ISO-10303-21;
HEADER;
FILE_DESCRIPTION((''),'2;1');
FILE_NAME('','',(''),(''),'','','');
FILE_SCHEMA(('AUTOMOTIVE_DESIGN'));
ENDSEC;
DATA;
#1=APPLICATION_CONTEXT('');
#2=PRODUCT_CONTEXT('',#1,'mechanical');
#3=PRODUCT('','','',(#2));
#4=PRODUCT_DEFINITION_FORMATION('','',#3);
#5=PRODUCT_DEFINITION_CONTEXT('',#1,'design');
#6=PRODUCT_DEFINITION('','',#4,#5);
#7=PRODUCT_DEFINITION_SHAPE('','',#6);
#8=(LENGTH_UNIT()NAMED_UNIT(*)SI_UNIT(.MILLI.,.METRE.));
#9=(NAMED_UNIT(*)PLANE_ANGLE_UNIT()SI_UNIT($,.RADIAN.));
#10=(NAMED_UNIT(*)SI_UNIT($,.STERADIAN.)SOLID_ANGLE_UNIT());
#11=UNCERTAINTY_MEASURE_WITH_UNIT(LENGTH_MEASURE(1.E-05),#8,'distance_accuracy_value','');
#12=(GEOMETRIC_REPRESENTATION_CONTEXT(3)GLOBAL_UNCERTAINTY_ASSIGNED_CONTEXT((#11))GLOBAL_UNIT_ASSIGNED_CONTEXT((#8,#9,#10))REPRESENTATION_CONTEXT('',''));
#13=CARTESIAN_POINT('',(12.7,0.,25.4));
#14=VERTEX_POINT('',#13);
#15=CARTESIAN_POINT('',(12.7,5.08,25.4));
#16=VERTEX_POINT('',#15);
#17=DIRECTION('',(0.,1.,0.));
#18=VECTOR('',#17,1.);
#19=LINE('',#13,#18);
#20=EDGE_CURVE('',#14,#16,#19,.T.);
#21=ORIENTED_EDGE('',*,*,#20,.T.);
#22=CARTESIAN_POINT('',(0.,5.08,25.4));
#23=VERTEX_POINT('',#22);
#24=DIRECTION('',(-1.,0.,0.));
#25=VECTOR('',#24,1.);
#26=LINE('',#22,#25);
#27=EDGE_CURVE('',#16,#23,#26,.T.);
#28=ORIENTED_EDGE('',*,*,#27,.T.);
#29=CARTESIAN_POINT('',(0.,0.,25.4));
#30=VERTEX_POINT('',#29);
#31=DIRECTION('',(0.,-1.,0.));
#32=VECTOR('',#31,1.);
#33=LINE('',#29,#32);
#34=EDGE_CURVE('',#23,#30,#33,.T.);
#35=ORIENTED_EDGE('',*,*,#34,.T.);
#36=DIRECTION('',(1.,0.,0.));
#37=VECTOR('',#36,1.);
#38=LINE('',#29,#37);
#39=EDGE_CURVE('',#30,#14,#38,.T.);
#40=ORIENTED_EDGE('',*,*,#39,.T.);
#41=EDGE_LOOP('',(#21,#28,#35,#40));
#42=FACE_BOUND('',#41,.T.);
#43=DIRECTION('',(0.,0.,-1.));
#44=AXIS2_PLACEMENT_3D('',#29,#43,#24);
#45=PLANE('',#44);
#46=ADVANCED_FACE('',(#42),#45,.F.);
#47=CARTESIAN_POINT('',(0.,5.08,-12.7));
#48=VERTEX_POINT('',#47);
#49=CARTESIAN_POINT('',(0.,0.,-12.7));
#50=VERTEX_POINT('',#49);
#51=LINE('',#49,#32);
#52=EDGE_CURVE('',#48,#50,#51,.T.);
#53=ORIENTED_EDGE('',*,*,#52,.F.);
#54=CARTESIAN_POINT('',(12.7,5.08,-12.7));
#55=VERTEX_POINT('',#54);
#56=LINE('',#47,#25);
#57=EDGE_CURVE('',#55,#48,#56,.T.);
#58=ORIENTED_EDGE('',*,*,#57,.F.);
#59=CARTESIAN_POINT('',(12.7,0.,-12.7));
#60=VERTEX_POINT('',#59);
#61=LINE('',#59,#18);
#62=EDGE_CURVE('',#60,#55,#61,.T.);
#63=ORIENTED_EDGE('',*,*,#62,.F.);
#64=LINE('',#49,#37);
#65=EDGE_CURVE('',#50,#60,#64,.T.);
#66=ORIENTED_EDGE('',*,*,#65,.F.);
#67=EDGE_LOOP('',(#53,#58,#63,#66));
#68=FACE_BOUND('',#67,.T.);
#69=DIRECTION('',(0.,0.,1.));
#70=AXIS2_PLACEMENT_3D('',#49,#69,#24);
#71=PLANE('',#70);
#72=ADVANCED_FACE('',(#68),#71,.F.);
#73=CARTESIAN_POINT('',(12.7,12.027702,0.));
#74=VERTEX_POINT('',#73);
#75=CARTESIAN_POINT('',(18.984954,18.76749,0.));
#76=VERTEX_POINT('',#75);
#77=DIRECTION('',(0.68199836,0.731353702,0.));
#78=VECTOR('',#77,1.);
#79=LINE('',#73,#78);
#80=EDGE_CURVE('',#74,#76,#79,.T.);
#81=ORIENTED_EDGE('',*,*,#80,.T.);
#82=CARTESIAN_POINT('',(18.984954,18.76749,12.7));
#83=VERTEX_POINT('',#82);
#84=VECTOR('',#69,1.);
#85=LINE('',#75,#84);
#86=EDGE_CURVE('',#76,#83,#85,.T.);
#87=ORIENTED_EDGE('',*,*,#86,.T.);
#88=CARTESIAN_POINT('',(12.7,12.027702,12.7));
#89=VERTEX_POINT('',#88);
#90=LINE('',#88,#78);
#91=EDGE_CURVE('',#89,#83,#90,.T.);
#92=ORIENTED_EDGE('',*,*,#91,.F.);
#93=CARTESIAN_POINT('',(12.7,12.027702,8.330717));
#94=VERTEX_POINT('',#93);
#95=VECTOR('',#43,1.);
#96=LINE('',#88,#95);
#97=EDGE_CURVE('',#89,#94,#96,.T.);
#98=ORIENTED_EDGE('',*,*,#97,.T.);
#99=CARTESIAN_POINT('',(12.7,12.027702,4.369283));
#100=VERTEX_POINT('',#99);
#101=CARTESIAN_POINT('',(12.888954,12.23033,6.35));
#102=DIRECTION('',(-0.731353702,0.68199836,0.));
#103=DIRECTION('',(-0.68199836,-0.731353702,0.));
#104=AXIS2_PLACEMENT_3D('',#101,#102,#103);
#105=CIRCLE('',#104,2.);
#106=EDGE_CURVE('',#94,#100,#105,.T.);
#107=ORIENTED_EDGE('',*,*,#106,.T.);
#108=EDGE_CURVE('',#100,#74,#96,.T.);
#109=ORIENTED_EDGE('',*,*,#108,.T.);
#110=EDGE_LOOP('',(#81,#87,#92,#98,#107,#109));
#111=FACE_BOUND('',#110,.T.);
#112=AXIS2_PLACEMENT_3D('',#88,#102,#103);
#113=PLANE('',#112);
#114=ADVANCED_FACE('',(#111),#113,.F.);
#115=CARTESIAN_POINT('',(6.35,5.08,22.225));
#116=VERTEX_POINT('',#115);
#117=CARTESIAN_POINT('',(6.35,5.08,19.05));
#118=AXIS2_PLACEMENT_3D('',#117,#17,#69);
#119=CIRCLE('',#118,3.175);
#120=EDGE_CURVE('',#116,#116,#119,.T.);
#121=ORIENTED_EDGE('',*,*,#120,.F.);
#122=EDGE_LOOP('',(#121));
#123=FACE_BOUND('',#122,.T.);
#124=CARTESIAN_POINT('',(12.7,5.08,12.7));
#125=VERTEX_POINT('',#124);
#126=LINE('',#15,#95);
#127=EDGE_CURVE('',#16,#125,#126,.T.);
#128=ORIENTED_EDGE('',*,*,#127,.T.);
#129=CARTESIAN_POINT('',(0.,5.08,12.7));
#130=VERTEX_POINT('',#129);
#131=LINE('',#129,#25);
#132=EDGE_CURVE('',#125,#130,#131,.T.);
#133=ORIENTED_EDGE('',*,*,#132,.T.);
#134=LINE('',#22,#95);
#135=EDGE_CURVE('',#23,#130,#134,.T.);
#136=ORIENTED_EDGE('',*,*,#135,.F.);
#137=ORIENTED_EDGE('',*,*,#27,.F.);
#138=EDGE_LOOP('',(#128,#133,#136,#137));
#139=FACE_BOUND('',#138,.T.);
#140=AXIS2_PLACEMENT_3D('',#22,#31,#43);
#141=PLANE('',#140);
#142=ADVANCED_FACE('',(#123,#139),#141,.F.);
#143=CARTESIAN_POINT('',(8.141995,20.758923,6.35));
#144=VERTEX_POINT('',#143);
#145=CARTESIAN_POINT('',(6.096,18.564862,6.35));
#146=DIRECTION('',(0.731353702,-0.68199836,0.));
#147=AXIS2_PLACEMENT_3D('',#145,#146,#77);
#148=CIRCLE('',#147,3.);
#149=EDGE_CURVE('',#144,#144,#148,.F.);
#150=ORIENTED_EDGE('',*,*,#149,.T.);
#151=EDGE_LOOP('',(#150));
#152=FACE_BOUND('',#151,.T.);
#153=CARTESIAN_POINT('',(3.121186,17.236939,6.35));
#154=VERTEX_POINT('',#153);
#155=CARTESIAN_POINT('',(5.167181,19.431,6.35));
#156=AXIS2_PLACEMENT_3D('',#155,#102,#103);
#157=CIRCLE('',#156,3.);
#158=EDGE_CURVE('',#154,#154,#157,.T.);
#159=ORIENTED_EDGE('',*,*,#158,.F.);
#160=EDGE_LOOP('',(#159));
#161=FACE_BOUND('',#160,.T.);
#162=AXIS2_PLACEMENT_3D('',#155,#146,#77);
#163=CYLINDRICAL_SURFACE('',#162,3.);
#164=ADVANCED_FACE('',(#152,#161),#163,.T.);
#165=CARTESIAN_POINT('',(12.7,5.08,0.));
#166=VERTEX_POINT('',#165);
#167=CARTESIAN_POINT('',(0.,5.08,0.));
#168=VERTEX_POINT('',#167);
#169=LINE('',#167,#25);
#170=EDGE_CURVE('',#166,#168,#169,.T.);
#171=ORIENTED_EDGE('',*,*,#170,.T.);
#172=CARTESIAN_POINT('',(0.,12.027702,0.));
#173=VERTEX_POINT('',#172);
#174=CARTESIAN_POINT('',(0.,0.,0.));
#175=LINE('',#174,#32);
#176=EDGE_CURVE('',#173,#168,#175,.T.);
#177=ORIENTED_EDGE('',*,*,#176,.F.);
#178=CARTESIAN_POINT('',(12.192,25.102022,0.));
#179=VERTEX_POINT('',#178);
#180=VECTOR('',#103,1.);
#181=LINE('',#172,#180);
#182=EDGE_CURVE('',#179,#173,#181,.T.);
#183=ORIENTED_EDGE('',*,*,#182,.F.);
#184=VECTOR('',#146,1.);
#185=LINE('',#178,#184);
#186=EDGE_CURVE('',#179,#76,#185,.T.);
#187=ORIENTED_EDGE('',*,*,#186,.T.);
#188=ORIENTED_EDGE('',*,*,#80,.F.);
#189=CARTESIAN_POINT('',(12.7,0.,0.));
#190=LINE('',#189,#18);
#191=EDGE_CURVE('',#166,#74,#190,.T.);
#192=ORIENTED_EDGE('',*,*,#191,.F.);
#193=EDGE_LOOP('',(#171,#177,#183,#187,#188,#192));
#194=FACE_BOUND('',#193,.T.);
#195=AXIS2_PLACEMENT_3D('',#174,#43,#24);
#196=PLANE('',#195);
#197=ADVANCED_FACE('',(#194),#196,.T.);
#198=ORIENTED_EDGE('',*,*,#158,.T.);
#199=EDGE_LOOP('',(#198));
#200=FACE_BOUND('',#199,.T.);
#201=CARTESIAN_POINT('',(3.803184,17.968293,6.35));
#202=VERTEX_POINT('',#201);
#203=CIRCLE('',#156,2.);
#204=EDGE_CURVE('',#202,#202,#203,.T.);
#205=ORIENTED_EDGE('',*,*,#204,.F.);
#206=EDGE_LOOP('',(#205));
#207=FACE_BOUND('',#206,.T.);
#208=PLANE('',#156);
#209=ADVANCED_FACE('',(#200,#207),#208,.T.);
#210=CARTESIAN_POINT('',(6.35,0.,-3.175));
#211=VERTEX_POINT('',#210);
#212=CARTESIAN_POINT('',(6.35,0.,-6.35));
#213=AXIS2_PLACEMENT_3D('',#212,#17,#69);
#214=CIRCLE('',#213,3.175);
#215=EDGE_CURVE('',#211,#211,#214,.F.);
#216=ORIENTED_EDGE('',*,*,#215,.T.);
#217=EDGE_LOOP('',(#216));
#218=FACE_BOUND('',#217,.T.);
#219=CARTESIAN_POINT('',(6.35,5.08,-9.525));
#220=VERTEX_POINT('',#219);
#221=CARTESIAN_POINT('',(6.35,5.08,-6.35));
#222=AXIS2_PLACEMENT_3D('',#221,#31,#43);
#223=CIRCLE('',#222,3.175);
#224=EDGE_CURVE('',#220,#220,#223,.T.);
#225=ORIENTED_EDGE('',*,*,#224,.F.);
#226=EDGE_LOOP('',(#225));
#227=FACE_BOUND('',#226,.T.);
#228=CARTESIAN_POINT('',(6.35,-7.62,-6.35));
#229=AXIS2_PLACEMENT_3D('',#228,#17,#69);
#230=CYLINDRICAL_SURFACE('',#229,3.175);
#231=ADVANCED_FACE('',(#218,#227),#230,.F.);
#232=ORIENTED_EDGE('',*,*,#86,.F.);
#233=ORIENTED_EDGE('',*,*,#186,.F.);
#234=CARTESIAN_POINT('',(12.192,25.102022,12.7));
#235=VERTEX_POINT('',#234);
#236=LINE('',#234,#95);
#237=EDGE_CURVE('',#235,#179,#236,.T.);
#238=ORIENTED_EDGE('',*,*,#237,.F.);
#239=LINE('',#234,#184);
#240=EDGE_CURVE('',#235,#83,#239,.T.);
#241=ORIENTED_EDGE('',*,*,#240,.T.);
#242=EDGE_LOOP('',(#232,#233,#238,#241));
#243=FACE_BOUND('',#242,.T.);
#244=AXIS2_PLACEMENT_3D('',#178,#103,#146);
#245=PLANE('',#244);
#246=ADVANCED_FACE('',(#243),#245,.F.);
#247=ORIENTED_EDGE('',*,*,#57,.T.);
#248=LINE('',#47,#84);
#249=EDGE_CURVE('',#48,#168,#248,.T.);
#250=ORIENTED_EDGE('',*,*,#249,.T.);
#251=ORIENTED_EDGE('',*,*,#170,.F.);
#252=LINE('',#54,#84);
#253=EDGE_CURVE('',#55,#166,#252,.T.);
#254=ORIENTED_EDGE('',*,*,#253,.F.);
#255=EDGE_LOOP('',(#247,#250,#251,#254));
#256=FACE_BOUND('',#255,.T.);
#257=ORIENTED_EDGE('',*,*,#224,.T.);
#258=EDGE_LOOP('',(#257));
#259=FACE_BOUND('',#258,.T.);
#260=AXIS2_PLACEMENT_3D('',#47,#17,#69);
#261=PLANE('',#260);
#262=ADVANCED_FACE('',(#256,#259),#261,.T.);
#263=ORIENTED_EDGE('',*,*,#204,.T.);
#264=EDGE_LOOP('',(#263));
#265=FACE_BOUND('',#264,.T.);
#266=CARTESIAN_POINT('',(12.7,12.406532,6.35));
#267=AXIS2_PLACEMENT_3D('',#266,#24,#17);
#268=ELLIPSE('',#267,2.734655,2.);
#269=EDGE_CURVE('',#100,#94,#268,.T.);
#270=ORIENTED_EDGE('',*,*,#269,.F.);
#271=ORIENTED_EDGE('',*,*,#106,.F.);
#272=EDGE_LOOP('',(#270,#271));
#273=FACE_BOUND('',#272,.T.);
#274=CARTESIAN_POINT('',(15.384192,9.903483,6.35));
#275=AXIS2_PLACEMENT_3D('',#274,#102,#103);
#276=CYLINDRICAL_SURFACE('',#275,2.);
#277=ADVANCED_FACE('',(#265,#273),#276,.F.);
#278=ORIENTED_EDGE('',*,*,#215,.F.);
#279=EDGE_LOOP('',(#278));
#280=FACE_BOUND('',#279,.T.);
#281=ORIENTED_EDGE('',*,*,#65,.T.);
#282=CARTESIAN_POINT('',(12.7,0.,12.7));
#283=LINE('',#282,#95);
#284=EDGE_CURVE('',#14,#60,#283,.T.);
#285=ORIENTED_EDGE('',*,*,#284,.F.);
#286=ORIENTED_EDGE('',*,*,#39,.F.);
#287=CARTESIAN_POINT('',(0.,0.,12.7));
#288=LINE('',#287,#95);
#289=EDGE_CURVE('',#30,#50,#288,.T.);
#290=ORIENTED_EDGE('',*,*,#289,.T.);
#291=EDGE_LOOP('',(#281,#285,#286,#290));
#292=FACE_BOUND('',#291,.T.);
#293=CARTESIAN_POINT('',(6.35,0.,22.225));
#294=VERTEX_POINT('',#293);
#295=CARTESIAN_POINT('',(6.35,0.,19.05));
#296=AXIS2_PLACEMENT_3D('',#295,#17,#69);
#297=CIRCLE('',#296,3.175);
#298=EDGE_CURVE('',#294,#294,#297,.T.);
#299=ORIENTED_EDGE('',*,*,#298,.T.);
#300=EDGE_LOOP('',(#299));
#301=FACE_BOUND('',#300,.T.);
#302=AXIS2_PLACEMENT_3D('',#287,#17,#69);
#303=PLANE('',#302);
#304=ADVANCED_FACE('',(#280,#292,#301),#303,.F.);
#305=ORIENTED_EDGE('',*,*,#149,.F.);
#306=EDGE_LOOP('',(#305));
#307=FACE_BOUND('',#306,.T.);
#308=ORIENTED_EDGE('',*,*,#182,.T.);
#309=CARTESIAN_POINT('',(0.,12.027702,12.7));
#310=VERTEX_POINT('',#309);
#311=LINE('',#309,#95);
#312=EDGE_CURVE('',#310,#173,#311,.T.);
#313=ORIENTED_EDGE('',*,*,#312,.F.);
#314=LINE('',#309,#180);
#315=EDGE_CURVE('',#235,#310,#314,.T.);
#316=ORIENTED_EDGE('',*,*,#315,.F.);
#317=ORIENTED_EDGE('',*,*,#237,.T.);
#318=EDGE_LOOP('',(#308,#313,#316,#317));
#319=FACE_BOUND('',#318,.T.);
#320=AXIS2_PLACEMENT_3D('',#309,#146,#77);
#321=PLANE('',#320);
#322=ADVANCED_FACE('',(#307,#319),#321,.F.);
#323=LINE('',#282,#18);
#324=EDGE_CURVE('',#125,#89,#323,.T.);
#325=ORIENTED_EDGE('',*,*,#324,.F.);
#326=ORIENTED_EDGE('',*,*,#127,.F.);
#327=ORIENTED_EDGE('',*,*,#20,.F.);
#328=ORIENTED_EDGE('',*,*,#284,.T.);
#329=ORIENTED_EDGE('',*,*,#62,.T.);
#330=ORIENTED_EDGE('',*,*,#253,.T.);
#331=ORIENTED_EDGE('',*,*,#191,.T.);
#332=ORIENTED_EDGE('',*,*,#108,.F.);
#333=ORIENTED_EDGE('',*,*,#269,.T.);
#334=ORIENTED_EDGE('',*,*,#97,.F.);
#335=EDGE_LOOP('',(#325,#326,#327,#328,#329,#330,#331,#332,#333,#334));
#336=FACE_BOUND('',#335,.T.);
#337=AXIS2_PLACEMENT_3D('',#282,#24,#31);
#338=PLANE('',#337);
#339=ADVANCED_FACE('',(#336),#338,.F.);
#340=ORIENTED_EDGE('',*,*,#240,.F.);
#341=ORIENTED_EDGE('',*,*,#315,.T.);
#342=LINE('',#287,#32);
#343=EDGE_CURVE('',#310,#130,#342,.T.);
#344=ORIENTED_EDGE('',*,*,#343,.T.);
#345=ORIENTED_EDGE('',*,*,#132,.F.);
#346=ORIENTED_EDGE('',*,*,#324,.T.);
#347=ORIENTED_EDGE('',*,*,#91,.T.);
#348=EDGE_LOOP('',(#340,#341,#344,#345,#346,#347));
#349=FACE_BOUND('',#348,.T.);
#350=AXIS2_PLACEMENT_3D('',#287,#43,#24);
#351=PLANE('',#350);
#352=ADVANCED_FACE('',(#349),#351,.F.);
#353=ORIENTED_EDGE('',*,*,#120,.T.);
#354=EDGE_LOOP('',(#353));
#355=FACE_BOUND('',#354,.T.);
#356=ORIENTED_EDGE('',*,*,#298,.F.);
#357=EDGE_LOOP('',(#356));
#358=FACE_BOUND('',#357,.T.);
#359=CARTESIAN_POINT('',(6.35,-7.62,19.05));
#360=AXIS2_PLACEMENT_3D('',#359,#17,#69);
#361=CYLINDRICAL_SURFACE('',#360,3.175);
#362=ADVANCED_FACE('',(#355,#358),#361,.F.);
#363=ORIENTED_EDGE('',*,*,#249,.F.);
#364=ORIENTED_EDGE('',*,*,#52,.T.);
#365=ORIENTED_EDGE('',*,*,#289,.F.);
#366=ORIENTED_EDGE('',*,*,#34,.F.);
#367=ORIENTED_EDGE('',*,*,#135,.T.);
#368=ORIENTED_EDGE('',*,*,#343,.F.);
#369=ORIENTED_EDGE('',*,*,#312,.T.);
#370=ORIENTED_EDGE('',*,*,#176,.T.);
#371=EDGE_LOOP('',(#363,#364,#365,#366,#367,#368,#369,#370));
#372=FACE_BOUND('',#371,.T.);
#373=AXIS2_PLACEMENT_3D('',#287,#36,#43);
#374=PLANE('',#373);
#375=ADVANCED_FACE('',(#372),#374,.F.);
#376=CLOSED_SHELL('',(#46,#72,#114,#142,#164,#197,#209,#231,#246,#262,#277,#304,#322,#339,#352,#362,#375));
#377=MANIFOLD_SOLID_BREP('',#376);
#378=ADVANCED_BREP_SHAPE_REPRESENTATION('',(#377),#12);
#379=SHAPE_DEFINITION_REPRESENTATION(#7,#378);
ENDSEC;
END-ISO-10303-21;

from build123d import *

# Parameters (mm, degrees)
BOSS_EXTRUDE3_DEPTH = 12.7
SKETCH8_R           = 2
CUT_EXTRUDE5_DEPTH  = 12.7
CUT_EXTRUDE7_DEPTH  = 12.7
SKETCH10_W          = 12.7
SKETCH10_H          = 5.08
BOSS_EXTRUDE4_DEPTH = 12.7
SKETCH11_R          = 3.175
CUT_EXTRUDE8_DEPTH  = 12.7
SKETCH13_R          = 3
SKETCH13_R_2        = 2
BOSS_EXTRUDE5_DEPTH = 1.27


with BuildPart() as part:
    # Sketch7 → Boss-Extrude3 (new body)
    with BuildSketch(Plane.XY):
        Polygon((0, 12.027702426), (12.192, 25.102021739), (24.892, 25.102021739), (12.7, 12.027702426), (12.7, 0), (0, 0), align=None)
    extrude(amount=BOSS_EXTRUDE3_DEPTH)

    # Sketch8 → Cut-Extrude5 (cut)
    with BuildSketch(Plane(origin=(-5.999201774, 5.594346159, 0), x_dir=(0, 0, 1), z_dir=(-0.731353702, 0.68199836, 0))):
        with Locations((6.35, 17.734942607)):
            Circle(SKETCH8_R)
    extrude(amount=-CUT_EXTRUDE5_DEPTH, mode=Mode.SUBTRACT)

    # Sketch9 → Cut-Extrude7 (cut)
    with BuildSketch(Plane.XY.offset(12.7)):
        Polygon((12.192, 25.102021739), (18.984953608, 18.76749002), (24.892, 25.102021739), align=None)
    extrude(amount=-CUT_EXTRUDE7_DEPTH, mode=Mode.SUBTRACT)

    # Sketch10 → Boss-Extrude4 (add)
    with BuildSketch(Plane.XY.offset(12.7)):
        with Locations((6.35, 2.54)):
            Rectangle(SKETCH10_W, SKETCH10_H)
    boss_extrude4 = extrude(amount=BOSS_EXTRUDE4_DEPTH)

    # Sketch11 → Cut-Extrude8 (cut)
    with BuildSketch(Plane(origin=(0, 5.08, 0), x_dir=(1, 0, 0), z_dir=(0, 1, 0))):
        with Locations((6.35, -19.05)):
            Circle(SKETCH11_R)
    cut_extrude8 = extrude(amount=-CUT_EXTRUDE8_DEPTH, mode=Mode.SUBTRACT)

    # Mirror2: Boss-Extrude4, Cut-Extrude8 across plane
    add(boss_extrude4.mirror(Plane.XY.offset(6.35)))
    add(cut_extrude8.mirror(Plane.XY.offset(6.35)), mode=Mode.SUBTRACT)

    # Sketch13 → Boss-Extrude5 (add)
    with BuildSketch(Plane(origin=(-5.999201774, 5.594346159, 0), x_dir=(0, 0, 1), z_dir=(-0.731353702, 0.68199836, 0))):
        with Locations((6.35, 17.734942607)):
            Circle(SKETCH13_R)
        with Locations((6.35, 17.734942607)):
            Circle(SKETCH13_R_2, mode=Mode.SUBTRACT)
    extrude(amount=BOSS_EXTRUDE5_DEPTH)


solid = part.part
